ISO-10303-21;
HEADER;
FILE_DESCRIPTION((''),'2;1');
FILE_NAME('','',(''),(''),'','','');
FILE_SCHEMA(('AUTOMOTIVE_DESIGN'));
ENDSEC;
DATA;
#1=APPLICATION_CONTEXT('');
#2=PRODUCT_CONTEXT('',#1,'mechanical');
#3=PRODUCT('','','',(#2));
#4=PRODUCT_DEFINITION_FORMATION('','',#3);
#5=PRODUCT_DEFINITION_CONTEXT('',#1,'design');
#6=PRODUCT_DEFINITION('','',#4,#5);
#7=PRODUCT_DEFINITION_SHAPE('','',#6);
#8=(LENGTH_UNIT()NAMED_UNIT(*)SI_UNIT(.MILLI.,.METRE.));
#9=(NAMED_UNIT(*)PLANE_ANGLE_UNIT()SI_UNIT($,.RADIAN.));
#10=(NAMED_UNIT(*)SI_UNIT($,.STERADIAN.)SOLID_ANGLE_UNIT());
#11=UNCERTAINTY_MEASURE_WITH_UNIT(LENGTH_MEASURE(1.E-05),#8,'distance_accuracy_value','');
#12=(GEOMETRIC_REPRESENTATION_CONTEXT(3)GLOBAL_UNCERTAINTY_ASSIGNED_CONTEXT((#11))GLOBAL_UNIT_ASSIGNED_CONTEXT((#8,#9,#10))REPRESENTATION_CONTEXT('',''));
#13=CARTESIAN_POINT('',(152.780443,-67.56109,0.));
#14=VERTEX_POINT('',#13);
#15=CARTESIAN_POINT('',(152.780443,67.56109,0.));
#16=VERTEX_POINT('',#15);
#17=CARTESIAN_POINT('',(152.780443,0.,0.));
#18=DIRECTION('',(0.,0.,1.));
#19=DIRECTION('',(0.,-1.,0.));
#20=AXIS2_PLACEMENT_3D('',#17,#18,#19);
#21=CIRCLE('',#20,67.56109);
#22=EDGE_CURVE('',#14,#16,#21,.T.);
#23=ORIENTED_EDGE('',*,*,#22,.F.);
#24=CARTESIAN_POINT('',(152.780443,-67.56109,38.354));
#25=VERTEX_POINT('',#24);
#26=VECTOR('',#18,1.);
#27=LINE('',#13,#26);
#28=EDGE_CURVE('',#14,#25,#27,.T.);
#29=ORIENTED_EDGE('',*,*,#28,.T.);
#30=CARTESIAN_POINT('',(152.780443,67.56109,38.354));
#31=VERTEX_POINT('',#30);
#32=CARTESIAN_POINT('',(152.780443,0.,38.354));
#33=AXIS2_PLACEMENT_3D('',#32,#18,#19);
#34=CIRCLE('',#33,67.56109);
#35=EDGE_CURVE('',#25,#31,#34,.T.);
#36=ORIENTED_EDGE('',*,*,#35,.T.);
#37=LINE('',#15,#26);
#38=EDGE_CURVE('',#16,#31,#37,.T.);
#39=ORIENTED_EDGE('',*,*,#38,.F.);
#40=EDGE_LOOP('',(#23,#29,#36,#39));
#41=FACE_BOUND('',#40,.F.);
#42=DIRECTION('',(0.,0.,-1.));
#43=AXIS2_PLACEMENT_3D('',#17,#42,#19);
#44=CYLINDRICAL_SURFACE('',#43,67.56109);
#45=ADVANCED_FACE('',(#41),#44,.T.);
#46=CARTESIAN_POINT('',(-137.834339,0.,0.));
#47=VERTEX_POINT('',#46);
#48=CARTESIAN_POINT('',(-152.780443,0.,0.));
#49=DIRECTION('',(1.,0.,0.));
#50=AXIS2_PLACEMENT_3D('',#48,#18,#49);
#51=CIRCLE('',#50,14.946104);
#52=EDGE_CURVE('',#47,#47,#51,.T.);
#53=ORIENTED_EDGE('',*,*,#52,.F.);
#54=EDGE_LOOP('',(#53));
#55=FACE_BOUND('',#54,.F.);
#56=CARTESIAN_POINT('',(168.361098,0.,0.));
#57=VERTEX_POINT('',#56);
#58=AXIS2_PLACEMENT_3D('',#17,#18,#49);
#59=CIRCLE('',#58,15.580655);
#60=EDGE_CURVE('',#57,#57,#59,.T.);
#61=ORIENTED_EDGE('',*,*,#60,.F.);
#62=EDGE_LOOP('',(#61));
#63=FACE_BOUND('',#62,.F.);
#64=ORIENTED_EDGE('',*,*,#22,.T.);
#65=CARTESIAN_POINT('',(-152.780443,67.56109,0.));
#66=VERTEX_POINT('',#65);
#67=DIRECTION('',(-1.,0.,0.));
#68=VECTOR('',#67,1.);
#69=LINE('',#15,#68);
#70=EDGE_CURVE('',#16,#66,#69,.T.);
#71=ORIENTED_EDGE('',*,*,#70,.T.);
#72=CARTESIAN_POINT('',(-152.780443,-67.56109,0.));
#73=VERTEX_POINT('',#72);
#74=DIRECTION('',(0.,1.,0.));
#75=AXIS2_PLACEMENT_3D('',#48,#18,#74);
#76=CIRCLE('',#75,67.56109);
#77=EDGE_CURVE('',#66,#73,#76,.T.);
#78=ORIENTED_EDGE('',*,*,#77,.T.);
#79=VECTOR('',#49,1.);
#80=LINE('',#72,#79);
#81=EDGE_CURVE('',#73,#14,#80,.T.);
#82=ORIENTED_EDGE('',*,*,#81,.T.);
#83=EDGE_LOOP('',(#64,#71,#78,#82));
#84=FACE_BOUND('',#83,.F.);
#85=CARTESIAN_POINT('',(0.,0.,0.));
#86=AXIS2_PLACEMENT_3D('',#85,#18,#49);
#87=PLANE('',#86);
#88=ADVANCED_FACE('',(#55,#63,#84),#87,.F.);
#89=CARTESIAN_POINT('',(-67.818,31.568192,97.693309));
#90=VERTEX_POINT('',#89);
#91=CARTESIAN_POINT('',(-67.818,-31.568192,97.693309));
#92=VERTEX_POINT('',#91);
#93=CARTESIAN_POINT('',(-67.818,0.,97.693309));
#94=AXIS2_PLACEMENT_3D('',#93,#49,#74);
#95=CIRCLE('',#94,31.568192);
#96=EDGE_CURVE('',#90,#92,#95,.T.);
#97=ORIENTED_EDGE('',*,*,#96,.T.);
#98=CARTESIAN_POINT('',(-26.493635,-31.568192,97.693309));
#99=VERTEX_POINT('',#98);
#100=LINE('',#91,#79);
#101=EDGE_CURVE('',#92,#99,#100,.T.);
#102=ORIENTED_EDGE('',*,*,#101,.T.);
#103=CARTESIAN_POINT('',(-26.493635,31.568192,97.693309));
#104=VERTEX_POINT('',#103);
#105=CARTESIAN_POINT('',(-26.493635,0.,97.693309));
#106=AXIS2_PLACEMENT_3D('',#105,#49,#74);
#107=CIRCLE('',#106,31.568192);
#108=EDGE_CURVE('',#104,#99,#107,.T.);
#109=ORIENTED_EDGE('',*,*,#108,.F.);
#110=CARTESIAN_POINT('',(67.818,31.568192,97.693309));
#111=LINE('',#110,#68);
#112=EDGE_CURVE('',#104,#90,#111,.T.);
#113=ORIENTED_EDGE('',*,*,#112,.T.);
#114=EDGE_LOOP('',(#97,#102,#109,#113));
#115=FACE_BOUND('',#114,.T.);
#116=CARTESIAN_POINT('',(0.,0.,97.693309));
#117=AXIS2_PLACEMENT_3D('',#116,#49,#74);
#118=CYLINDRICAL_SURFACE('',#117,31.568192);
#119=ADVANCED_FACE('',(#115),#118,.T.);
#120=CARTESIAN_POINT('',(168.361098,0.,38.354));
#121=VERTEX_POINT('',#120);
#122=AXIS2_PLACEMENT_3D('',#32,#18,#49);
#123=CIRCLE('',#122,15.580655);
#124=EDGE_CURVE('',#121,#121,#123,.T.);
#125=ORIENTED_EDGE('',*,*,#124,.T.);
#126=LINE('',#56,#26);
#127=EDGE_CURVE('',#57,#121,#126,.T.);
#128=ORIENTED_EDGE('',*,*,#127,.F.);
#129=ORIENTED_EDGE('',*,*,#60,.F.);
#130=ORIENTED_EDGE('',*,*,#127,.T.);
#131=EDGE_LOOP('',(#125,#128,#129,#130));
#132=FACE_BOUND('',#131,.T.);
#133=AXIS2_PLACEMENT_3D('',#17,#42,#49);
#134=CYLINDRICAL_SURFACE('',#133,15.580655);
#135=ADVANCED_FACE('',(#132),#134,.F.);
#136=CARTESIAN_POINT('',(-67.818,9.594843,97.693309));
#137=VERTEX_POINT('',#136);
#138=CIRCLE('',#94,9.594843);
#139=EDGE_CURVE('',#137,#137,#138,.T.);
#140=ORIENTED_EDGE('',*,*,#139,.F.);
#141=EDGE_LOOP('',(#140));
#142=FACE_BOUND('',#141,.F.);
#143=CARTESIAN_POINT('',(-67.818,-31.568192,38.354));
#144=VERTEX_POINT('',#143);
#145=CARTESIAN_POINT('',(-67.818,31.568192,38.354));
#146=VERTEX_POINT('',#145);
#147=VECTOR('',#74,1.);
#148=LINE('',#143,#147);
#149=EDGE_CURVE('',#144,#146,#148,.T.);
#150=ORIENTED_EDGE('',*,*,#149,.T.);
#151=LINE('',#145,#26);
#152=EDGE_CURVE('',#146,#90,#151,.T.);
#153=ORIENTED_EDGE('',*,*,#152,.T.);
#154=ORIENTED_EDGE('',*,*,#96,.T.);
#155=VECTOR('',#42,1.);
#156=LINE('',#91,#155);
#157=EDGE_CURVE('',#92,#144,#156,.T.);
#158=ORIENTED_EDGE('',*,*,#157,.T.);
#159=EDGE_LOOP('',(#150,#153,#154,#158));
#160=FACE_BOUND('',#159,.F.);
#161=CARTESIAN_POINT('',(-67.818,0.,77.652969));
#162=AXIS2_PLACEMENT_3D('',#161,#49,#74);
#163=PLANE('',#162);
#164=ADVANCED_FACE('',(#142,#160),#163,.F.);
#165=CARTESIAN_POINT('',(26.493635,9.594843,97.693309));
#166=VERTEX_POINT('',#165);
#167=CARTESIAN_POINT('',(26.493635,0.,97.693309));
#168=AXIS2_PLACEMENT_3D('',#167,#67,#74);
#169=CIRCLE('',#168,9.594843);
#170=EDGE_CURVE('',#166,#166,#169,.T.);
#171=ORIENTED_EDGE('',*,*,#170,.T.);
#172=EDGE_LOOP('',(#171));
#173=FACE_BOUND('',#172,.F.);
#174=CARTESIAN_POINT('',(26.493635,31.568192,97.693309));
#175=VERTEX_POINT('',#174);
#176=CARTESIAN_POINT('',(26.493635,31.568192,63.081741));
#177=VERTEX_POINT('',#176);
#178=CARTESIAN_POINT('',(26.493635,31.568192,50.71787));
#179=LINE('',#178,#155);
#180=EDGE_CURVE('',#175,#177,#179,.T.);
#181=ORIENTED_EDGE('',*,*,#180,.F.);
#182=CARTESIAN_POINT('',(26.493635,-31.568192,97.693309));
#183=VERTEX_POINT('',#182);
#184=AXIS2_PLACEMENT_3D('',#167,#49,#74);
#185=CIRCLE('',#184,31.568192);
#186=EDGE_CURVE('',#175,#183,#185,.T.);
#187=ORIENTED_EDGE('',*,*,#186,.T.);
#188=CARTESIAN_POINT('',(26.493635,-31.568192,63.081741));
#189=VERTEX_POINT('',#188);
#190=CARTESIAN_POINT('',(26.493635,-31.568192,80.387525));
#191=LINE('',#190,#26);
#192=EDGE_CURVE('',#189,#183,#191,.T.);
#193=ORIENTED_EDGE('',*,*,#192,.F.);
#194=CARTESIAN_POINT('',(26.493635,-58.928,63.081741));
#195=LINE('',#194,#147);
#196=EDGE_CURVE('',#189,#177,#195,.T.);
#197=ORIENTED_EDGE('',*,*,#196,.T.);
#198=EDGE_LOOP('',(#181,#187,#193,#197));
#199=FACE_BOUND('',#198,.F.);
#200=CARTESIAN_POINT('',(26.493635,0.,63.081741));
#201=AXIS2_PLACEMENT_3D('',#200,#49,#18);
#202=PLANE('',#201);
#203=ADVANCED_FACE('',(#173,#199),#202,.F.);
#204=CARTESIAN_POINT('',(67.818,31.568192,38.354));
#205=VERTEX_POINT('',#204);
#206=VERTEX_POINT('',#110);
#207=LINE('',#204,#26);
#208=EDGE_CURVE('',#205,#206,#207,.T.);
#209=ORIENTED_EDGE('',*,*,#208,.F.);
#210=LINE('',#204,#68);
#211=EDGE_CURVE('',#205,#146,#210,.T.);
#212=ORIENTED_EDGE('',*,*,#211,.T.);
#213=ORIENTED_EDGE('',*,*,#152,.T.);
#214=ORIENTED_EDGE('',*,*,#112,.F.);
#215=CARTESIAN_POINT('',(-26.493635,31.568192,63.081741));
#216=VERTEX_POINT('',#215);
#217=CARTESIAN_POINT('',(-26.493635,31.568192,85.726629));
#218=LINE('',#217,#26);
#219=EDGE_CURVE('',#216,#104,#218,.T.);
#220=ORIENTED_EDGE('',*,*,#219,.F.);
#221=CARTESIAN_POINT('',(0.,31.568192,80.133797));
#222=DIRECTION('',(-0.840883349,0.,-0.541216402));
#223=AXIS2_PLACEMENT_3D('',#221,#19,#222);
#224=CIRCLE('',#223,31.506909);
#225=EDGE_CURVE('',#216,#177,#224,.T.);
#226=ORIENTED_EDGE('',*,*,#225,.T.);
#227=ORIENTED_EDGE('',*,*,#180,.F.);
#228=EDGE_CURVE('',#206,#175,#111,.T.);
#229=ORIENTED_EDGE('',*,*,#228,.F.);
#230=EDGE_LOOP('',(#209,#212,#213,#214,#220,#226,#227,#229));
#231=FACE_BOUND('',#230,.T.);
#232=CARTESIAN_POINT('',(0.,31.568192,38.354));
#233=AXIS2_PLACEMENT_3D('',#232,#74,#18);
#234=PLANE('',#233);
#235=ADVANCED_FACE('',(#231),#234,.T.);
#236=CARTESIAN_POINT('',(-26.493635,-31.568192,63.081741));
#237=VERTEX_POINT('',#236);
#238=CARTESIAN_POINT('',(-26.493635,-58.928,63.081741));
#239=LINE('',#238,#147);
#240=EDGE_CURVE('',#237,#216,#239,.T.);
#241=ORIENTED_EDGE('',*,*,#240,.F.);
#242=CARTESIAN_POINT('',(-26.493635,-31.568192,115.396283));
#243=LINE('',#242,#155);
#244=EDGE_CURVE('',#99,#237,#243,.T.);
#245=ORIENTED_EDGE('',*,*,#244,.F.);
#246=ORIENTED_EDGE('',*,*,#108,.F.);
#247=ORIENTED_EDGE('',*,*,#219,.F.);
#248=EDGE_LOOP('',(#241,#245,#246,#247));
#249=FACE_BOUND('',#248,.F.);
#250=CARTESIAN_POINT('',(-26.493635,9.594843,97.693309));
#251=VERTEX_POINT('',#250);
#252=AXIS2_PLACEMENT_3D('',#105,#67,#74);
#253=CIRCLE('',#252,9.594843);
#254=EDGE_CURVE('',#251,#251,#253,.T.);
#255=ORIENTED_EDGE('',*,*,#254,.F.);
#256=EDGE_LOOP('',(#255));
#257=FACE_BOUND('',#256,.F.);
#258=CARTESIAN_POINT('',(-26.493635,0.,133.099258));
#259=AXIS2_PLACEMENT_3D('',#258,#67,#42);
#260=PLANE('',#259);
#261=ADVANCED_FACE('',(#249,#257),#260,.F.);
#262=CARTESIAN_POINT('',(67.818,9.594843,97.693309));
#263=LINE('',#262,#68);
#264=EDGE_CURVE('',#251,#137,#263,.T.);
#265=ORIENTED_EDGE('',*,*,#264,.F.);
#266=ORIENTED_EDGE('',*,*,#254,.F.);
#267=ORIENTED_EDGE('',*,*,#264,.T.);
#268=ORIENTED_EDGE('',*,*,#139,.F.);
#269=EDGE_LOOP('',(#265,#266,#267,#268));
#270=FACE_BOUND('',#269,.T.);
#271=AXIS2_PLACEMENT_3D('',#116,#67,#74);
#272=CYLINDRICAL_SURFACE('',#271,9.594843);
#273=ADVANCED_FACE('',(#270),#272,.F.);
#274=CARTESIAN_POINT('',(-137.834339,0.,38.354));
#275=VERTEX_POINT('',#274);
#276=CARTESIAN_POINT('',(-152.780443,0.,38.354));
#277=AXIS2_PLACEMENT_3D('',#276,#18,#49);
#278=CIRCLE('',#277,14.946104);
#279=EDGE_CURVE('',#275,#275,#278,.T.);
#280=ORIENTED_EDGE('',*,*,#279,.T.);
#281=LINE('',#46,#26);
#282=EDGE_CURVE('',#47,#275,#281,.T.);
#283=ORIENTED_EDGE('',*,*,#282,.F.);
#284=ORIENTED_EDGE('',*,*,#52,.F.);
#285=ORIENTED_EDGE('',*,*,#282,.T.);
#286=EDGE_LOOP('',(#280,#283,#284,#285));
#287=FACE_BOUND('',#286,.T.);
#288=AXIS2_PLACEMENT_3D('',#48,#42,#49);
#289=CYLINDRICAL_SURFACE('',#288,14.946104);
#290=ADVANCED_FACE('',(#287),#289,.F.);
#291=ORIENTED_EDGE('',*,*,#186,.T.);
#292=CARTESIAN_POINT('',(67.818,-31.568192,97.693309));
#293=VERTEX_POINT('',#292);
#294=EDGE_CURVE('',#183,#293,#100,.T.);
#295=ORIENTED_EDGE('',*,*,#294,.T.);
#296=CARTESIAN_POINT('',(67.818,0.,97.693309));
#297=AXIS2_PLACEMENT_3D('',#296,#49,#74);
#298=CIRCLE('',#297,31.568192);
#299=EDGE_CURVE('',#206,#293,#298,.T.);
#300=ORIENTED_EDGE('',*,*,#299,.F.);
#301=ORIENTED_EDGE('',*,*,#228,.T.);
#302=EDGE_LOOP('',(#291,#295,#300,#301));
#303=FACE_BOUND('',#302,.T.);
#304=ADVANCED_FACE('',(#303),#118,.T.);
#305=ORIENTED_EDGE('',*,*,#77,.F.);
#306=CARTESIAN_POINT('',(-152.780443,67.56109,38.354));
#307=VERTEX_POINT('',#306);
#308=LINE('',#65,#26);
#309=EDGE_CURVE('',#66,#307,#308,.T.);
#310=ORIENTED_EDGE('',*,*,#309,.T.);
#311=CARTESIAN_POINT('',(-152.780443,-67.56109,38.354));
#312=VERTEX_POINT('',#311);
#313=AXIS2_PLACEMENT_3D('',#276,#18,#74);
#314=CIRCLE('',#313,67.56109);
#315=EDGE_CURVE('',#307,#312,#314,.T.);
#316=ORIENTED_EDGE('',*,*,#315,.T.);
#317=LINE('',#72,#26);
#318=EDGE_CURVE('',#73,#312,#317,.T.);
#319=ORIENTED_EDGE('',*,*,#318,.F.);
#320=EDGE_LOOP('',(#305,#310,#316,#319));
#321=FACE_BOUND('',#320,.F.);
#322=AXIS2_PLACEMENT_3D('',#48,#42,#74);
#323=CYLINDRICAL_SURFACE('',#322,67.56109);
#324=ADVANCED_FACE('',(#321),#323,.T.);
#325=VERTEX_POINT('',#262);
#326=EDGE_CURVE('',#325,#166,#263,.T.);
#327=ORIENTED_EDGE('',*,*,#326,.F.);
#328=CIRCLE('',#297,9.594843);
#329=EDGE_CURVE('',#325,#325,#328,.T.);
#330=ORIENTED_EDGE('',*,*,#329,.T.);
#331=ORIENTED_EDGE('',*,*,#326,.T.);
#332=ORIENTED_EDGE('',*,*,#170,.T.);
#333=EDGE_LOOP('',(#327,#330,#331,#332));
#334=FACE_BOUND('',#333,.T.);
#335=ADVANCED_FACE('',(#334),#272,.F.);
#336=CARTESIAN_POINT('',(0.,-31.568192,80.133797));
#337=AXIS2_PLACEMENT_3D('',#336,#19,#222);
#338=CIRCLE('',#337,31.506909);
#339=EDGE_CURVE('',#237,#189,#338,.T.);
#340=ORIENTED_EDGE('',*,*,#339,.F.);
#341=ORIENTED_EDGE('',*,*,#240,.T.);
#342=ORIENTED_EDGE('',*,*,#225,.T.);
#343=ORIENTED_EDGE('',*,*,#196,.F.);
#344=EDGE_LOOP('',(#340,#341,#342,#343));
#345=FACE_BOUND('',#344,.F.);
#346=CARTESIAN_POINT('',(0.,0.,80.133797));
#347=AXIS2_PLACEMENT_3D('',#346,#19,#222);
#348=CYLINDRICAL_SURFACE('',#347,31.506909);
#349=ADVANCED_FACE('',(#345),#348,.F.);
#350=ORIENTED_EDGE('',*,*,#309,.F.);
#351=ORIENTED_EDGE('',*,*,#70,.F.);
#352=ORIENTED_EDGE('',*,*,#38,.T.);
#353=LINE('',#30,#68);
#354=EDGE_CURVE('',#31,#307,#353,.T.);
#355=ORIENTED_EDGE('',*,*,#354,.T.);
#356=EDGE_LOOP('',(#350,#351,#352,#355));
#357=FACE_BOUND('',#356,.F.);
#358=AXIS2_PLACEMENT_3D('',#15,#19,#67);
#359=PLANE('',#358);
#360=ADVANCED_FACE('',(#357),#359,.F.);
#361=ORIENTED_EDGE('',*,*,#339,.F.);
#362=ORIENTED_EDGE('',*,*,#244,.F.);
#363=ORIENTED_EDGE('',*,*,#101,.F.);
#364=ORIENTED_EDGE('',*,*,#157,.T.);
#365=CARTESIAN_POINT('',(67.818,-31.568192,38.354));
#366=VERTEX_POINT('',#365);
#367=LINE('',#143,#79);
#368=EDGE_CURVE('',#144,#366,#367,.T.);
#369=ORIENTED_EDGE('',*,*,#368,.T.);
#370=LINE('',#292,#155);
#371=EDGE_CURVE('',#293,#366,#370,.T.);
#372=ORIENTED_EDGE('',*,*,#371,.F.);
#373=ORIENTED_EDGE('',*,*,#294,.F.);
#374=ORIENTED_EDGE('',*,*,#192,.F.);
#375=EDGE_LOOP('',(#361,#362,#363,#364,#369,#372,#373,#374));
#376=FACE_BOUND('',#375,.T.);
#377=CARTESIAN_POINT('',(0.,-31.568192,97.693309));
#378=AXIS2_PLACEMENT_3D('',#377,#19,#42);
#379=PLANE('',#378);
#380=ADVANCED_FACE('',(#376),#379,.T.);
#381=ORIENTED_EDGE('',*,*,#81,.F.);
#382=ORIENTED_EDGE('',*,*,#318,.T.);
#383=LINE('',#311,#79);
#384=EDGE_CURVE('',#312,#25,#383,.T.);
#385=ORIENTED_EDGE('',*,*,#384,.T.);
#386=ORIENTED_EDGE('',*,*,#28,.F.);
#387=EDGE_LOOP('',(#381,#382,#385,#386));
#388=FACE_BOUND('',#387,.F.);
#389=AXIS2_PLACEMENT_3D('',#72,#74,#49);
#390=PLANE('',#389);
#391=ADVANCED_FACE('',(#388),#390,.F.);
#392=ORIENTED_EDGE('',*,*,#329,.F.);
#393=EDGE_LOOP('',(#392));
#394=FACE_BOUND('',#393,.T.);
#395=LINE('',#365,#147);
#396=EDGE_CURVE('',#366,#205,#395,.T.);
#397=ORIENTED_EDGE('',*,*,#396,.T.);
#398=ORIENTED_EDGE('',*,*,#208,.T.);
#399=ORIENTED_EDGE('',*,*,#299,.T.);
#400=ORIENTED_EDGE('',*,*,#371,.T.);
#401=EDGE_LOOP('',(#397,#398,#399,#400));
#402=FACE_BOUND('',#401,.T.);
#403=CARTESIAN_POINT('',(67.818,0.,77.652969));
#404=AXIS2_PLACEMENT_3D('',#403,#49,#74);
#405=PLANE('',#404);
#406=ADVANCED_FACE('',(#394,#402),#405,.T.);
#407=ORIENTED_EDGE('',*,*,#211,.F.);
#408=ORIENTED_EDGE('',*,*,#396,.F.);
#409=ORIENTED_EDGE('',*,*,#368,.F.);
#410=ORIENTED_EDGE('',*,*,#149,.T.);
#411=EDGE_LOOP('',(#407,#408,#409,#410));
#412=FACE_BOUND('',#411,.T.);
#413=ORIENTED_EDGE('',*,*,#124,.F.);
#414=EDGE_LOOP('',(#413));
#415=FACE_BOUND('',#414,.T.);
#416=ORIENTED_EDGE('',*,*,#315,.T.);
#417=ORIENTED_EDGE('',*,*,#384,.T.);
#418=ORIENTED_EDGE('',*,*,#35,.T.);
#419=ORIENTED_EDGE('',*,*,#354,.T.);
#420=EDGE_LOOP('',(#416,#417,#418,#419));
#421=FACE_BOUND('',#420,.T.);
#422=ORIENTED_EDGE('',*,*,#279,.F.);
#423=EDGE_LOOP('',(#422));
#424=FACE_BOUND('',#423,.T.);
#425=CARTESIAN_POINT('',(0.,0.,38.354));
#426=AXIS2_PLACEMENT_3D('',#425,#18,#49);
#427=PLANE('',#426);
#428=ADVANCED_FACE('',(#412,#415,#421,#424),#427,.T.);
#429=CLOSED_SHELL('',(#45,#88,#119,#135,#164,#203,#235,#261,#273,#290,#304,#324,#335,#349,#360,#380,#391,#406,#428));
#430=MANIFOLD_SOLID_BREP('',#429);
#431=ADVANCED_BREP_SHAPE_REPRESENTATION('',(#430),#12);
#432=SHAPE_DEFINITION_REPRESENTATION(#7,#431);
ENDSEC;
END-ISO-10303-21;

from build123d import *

# Parameters (mm, degrees)
F0_R     = 14.946104
F0_R_2   = 15.580655
F1_DEPTH = 38.354
F2_R     = 9.594843
F3_DEPTH = 67.818
F5_DEPTH = 58.928


with BuildPart() as f1:
    # F0 (on Top) → F1 (new body)
    with BuildSketch(Plane.XY):
        with BuildLine():
            ThreePointArc((152.780443, -67.56109), (220.341533, 0), (152.780443, 67.56109))
            Line((152.780443, 67.56109), (-152.780443, 67.56109))
            ThreePointArc((-152.780443, 67.56109), (-220.341533, 0), (-152.780443, -67.56109))
            Line((-152.780443, -67.56109), (152.780443, -67.56109))
        make_face()
        with Locations((-152.780443, 0)):
            Circle(F0_R, mode=Mode.SUBTRACT)
        with Locations((152.780443, 0)):
            Circle(F0_R_2, mode=Mode.SUBTRACT)
    extrude(amount=F1_DEPTH)

    # F2 (on Right) → F3 (join, symmetric)
    with BuildSketch(Plane.YZ):
        with BuildLine():
            ThreePointArc((31.568192, 97.693309), (0, 129.261501), (-31.568192, 97.693309))
            Line((-31.568192, 97.693309), (-31.568192, 38.354))
            Line((-31.568192, 38.354), (31.568192, 38.354))
            Line((31.568192, 38.354), (31.568192, 97.693309))
        make_face()
        with Locations((0, 97.693309)):
            Circle(F2_R, mode=Mode.SUBTRACT)
    extrude(amount=F3_DEPTH, both=True)

    # F4 (on Front) → F5 (cut, symmetric)
    with BuildSketch(Plane.XZ):
        with BuildLine():
            Line((26.493635, 63.081741), (26.493635, 133.099258))
            Line((26.493635, 133.099258), (-26.493635, 133.099258))
            Line((-26.493635, 133.099258), (-26.493635, 63.081741))
            ThreePointArc((-26.493635, 63.081741), (0, 48.626888), (26.493635, 63.081741))
        make_face()
    extrude(amount=F5_DEPTH, both=True, mode=Mode.SUBTRACT)


solid = f1.part
